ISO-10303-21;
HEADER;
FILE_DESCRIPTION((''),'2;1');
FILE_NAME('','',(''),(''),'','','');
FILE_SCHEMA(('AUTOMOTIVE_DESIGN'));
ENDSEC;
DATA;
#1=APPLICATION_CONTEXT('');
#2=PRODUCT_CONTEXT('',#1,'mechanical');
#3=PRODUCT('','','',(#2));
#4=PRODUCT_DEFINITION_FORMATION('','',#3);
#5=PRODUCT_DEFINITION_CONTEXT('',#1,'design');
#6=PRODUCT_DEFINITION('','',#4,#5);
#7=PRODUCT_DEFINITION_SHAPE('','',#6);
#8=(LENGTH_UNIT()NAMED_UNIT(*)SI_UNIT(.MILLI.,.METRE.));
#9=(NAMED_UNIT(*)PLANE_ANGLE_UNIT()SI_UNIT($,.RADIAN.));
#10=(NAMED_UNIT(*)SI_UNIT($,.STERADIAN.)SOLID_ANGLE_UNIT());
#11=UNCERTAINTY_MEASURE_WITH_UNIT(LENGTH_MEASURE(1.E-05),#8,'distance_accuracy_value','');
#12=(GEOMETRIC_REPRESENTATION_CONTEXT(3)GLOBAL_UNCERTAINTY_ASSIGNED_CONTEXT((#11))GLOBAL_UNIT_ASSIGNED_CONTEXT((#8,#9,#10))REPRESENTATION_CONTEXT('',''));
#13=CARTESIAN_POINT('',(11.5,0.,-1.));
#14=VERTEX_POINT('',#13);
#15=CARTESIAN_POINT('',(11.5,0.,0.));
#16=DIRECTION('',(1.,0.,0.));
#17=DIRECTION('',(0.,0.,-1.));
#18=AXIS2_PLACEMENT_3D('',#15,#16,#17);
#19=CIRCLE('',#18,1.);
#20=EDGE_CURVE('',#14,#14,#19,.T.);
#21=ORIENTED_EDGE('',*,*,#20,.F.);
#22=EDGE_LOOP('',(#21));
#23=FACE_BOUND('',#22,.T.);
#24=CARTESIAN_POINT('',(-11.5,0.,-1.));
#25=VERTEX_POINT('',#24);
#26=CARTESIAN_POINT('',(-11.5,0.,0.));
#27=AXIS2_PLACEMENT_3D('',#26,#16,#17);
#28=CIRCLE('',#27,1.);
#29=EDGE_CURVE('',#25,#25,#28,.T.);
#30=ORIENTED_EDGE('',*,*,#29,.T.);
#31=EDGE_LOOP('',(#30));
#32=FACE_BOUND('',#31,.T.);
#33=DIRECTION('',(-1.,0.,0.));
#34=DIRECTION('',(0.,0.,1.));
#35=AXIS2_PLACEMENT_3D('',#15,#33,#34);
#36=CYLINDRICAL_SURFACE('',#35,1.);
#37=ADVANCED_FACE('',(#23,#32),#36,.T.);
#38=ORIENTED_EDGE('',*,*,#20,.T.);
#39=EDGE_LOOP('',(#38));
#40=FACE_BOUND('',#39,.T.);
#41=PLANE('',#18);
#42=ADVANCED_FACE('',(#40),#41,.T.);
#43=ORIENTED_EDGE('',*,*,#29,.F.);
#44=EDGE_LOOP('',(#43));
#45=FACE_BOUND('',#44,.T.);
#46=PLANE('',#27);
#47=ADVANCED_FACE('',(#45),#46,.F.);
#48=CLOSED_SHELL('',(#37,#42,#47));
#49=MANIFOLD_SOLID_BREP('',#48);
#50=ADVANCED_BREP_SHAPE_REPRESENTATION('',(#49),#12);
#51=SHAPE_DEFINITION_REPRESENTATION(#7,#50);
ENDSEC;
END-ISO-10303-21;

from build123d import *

# Parameters (mm, degrees)
SKETCH1_R           = 1
BOSS_EXTRUDE1_DEPTH = 11.5


with BuildPart() as part:
    # Sketch1 → Boss-Extrude1 (new body, symmetric)
    with BuildSketch(Plane(origin=(0, 0, 0), x_dir=(0, 0, -1), z_dir=(1, 0, 0))):
        Circle(SKETCH1_R)
    extrude(amount=BOSS_EXTRUDE1_DEPTH, both=True)


solid = part.part
